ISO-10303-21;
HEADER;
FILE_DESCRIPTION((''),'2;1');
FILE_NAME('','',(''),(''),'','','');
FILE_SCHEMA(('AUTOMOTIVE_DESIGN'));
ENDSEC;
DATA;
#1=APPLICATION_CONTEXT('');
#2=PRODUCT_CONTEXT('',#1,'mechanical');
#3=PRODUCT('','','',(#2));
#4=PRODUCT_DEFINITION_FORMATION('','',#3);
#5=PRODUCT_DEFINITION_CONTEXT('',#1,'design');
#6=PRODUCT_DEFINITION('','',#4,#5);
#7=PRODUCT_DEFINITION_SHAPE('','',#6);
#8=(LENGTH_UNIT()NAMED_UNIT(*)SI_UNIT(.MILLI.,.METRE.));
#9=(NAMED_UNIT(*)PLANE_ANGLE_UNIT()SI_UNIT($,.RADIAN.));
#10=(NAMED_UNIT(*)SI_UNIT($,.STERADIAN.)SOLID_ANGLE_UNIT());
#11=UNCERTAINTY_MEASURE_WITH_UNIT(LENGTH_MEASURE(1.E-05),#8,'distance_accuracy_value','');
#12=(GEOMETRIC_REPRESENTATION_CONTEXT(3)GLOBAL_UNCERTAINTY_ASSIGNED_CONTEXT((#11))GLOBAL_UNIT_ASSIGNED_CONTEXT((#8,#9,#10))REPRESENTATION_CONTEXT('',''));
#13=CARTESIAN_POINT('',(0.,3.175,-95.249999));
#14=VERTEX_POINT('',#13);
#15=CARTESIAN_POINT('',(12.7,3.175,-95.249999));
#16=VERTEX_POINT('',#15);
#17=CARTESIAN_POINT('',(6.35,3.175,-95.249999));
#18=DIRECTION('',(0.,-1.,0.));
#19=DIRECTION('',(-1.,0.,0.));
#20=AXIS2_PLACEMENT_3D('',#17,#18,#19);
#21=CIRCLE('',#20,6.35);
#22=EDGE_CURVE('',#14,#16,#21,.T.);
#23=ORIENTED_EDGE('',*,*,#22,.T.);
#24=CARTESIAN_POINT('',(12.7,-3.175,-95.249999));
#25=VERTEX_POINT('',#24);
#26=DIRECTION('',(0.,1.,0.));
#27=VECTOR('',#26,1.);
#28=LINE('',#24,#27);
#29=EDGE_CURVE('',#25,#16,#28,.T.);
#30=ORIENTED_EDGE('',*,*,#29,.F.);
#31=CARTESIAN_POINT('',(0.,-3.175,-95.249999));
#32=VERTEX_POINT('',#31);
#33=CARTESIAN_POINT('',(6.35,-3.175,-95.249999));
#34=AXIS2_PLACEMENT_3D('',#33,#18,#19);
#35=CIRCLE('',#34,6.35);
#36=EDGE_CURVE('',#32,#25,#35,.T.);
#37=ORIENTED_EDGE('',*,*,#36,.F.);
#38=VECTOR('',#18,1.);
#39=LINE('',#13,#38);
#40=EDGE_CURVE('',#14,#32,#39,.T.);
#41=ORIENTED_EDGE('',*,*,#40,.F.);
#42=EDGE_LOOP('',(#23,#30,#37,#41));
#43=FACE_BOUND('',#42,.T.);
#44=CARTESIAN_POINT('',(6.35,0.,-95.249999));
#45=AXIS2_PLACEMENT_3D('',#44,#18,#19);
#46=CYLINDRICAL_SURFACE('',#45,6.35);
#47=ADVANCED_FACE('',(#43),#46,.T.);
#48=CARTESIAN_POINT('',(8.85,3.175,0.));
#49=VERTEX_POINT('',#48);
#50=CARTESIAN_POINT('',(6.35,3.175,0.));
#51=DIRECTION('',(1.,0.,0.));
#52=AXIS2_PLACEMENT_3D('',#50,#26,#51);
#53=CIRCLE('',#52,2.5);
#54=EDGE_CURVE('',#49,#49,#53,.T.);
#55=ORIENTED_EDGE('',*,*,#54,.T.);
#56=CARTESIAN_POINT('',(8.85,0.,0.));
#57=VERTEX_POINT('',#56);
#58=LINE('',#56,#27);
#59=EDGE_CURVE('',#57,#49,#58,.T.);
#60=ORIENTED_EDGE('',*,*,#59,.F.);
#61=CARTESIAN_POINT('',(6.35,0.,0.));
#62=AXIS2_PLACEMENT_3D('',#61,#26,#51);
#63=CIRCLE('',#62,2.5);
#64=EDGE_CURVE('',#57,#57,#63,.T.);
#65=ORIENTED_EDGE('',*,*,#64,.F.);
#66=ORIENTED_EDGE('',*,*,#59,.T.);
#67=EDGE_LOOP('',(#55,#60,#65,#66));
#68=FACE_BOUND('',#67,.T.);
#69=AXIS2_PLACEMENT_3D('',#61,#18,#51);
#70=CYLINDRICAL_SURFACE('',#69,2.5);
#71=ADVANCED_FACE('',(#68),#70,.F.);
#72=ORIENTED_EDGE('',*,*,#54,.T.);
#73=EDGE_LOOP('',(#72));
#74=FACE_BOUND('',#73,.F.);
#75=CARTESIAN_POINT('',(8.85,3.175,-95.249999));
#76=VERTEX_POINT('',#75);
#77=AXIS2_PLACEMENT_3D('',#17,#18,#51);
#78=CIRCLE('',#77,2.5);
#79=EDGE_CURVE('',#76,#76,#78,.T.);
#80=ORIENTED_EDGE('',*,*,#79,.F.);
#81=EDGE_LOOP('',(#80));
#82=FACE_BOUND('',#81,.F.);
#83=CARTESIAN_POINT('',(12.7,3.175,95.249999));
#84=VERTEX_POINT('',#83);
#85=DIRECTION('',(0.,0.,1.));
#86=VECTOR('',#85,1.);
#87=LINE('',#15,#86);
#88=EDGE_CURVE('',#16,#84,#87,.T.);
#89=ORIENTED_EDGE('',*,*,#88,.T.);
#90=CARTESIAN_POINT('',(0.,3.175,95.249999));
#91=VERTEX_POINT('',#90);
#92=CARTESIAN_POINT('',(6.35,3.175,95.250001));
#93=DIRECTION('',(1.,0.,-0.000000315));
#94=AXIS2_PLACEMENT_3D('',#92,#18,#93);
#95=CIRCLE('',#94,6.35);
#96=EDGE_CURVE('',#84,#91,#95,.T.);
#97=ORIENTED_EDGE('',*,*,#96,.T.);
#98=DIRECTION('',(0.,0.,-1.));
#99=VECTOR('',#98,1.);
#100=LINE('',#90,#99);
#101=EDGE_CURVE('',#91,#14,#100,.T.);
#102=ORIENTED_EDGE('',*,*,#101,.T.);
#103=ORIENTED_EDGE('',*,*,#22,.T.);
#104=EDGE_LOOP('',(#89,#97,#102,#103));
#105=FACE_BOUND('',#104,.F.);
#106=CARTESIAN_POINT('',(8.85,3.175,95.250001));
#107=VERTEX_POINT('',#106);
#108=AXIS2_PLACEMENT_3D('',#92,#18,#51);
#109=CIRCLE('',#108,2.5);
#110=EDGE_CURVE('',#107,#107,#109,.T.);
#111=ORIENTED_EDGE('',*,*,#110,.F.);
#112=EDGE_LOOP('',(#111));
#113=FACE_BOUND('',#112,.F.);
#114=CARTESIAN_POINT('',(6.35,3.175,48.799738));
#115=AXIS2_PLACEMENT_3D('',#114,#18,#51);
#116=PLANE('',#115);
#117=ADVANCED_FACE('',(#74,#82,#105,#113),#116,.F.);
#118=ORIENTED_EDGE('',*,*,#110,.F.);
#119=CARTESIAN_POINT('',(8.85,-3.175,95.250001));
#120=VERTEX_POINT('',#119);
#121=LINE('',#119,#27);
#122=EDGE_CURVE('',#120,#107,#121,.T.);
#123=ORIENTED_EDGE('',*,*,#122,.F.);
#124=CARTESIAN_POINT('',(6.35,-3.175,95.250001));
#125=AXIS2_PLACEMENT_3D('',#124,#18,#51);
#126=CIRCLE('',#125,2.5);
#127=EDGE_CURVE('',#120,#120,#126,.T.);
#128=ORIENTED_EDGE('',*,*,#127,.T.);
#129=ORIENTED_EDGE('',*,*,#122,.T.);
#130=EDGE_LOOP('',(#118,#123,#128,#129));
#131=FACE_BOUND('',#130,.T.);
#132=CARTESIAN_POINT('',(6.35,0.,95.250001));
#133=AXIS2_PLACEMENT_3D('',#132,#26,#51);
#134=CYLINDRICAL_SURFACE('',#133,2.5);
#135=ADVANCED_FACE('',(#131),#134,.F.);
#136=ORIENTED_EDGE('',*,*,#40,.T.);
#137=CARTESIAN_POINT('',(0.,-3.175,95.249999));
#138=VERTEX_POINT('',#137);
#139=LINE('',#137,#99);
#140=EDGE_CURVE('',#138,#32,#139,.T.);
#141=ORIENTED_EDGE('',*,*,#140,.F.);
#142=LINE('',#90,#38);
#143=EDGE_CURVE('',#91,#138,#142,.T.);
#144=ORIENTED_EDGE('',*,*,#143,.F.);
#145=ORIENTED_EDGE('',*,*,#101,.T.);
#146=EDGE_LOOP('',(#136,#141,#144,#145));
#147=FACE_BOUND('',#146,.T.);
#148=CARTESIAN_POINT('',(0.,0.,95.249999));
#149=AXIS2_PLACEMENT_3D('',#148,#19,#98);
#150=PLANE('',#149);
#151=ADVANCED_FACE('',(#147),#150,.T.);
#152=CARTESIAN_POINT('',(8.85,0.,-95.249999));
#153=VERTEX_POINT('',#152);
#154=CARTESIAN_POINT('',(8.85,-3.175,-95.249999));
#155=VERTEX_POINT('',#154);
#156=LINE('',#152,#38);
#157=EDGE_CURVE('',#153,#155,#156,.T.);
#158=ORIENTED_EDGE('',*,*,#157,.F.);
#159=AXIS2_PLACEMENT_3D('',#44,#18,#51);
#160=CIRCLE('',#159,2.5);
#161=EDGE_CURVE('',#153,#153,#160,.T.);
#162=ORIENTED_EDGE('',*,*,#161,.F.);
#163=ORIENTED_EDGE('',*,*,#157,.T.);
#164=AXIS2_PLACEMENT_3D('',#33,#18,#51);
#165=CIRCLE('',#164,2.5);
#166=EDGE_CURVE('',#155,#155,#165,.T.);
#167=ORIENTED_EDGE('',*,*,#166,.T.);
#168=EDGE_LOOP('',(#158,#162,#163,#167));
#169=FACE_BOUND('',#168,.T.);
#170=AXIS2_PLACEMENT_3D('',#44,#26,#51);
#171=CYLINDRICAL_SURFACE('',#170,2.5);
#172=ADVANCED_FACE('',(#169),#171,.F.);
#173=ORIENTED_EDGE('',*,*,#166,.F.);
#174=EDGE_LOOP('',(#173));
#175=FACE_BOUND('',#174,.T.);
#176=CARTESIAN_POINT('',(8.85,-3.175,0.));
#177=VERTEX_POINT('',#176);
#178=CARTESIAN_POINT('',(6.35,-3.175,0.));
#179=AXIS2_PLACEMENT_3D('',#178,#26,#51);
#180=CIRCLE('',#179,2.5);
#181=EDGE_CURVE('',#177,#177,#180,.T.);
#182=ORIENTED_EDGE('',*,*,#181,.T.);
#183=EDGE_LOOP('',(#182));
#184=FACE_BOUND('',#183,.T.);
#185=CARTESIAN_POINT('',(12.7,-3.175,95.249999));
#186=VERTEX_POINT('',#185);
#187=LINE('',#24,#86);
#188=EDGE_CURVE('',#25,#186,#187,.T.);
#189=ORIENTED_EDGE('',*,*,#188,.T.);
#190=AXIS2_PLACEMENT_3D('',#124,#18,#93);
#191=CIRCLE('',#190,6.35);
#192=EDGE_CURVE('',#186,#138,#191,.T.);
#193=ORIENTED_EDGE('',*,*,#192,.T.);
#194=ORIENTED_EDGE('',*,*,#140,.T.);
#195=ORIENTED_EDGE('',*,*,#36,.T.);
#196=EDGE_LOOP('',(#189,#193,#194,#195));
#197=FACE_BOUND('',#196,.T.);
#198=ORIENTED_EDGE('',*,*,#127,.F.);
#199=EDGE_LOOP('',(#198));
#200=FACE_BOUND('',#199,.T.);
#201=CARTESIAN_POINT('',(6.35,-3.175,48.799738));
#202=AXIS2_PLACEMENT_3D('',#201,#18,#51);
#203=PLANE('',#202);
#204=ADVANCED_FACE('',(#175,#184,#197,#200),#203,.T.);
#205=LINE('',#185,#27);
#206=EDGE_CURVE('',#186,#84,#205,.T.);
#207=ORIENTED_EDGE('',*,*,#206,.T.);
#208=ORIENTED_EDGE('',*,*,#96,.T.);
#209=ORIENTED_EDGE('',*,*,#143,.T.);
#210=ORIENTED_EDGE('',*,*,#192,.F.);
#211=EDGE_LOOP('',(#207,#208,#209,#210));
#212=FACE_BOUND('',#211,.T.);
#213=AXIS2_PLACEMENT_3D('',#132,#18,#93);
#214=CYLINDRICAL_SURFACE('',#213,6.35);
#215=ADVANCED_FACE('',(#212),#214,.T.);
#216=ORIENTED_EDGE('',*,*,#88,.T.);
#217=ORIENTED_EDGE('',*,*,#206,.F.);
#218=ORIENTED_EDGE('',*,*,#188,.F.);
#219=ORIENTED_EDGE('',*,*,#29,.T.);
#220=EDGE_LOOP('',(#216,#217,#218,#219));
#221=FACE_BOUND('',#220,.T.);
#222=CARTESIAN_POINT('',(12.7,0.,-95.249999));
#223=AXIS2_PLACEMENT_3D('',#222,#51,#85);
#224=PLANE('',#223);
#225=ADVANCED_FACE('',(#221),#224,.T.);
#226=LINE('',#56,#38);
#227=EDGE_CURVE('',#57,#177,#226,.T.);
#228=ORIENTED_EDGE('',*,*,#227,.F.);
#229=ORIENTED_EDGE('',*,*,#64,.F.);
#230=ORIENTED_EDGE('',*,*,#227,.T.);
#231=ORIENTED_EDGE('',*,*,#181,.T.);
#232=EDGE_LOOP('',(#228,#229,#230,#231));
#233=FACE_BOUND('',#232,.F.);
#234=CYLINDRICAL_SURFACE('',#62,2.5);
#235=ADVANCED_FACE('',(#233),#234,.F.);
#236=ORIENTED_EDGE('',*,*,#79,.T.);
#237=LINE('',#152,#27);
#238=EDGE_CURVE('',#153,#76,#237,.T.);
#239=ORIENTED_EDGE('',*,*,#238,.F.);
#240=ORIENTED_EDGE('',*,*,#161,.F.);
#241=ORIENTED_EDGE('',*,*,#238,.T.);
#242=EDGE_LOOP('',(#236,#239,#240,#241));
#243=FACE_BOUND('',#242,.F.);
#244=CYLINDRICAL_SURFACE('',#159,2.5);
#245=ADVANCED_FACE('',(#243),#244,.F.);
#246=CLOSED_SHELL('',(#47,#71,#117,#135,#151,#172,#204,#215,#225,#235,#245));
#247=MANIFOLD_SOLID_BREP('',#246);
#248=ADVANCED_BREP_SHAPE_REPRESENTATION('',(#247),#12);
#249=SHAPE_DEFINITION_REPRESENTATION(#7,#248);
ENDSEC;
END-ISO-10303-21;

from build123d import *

# Parameters (mm, degrees)
F0_R     = 2.5
F1_DEPTH = 3.175


with BuildPart() as f1:
    # F0 (on Front) → F1 (new body, symmetric)
    with BuildSketch(Plane.XZ):
        with BuildLine():
            ThreePointArc((12.7, 95.249999), (6.35, 101.600001), (0, 95.249999))
            Line((0, 95.249999), (0, 0))
            Line((0, 0), (3.85, 0))
            ThreePointArc((3.85, 0), (6.35, 2.5), (8.85, 0))
            Line((8.85, 0), (12.7, 0))
            Line((12.7, 0), (12.7, 95.249999))
        make_face()
        with Locations((6.35, 95.250001)):
            Circle(F0_R, mode=Mode.SUBTRACT)
        with BuildLine():
            Line((3.85, 0), (0, 0))
            Line((0, 0), (0, -95.249999))
            ThreePointArc((0, -95.249999), (6.35, -101.599999), (12.7, -95.249999))
            Line((12.7, -95.249999), (12.7, 0))
            Line((12.7, 0), (8.85, 0))
            ThreePointArc((8.85, 0), (6.35, -2.5), (3.85, 0))
        make_face()
        with Locations((6.35, -95.249999)):
            Circle(F0_R, mode=Mode.SUBTRACT)
    extrude(amount=F1_DEPTH, both=True)


solid = f1.part
